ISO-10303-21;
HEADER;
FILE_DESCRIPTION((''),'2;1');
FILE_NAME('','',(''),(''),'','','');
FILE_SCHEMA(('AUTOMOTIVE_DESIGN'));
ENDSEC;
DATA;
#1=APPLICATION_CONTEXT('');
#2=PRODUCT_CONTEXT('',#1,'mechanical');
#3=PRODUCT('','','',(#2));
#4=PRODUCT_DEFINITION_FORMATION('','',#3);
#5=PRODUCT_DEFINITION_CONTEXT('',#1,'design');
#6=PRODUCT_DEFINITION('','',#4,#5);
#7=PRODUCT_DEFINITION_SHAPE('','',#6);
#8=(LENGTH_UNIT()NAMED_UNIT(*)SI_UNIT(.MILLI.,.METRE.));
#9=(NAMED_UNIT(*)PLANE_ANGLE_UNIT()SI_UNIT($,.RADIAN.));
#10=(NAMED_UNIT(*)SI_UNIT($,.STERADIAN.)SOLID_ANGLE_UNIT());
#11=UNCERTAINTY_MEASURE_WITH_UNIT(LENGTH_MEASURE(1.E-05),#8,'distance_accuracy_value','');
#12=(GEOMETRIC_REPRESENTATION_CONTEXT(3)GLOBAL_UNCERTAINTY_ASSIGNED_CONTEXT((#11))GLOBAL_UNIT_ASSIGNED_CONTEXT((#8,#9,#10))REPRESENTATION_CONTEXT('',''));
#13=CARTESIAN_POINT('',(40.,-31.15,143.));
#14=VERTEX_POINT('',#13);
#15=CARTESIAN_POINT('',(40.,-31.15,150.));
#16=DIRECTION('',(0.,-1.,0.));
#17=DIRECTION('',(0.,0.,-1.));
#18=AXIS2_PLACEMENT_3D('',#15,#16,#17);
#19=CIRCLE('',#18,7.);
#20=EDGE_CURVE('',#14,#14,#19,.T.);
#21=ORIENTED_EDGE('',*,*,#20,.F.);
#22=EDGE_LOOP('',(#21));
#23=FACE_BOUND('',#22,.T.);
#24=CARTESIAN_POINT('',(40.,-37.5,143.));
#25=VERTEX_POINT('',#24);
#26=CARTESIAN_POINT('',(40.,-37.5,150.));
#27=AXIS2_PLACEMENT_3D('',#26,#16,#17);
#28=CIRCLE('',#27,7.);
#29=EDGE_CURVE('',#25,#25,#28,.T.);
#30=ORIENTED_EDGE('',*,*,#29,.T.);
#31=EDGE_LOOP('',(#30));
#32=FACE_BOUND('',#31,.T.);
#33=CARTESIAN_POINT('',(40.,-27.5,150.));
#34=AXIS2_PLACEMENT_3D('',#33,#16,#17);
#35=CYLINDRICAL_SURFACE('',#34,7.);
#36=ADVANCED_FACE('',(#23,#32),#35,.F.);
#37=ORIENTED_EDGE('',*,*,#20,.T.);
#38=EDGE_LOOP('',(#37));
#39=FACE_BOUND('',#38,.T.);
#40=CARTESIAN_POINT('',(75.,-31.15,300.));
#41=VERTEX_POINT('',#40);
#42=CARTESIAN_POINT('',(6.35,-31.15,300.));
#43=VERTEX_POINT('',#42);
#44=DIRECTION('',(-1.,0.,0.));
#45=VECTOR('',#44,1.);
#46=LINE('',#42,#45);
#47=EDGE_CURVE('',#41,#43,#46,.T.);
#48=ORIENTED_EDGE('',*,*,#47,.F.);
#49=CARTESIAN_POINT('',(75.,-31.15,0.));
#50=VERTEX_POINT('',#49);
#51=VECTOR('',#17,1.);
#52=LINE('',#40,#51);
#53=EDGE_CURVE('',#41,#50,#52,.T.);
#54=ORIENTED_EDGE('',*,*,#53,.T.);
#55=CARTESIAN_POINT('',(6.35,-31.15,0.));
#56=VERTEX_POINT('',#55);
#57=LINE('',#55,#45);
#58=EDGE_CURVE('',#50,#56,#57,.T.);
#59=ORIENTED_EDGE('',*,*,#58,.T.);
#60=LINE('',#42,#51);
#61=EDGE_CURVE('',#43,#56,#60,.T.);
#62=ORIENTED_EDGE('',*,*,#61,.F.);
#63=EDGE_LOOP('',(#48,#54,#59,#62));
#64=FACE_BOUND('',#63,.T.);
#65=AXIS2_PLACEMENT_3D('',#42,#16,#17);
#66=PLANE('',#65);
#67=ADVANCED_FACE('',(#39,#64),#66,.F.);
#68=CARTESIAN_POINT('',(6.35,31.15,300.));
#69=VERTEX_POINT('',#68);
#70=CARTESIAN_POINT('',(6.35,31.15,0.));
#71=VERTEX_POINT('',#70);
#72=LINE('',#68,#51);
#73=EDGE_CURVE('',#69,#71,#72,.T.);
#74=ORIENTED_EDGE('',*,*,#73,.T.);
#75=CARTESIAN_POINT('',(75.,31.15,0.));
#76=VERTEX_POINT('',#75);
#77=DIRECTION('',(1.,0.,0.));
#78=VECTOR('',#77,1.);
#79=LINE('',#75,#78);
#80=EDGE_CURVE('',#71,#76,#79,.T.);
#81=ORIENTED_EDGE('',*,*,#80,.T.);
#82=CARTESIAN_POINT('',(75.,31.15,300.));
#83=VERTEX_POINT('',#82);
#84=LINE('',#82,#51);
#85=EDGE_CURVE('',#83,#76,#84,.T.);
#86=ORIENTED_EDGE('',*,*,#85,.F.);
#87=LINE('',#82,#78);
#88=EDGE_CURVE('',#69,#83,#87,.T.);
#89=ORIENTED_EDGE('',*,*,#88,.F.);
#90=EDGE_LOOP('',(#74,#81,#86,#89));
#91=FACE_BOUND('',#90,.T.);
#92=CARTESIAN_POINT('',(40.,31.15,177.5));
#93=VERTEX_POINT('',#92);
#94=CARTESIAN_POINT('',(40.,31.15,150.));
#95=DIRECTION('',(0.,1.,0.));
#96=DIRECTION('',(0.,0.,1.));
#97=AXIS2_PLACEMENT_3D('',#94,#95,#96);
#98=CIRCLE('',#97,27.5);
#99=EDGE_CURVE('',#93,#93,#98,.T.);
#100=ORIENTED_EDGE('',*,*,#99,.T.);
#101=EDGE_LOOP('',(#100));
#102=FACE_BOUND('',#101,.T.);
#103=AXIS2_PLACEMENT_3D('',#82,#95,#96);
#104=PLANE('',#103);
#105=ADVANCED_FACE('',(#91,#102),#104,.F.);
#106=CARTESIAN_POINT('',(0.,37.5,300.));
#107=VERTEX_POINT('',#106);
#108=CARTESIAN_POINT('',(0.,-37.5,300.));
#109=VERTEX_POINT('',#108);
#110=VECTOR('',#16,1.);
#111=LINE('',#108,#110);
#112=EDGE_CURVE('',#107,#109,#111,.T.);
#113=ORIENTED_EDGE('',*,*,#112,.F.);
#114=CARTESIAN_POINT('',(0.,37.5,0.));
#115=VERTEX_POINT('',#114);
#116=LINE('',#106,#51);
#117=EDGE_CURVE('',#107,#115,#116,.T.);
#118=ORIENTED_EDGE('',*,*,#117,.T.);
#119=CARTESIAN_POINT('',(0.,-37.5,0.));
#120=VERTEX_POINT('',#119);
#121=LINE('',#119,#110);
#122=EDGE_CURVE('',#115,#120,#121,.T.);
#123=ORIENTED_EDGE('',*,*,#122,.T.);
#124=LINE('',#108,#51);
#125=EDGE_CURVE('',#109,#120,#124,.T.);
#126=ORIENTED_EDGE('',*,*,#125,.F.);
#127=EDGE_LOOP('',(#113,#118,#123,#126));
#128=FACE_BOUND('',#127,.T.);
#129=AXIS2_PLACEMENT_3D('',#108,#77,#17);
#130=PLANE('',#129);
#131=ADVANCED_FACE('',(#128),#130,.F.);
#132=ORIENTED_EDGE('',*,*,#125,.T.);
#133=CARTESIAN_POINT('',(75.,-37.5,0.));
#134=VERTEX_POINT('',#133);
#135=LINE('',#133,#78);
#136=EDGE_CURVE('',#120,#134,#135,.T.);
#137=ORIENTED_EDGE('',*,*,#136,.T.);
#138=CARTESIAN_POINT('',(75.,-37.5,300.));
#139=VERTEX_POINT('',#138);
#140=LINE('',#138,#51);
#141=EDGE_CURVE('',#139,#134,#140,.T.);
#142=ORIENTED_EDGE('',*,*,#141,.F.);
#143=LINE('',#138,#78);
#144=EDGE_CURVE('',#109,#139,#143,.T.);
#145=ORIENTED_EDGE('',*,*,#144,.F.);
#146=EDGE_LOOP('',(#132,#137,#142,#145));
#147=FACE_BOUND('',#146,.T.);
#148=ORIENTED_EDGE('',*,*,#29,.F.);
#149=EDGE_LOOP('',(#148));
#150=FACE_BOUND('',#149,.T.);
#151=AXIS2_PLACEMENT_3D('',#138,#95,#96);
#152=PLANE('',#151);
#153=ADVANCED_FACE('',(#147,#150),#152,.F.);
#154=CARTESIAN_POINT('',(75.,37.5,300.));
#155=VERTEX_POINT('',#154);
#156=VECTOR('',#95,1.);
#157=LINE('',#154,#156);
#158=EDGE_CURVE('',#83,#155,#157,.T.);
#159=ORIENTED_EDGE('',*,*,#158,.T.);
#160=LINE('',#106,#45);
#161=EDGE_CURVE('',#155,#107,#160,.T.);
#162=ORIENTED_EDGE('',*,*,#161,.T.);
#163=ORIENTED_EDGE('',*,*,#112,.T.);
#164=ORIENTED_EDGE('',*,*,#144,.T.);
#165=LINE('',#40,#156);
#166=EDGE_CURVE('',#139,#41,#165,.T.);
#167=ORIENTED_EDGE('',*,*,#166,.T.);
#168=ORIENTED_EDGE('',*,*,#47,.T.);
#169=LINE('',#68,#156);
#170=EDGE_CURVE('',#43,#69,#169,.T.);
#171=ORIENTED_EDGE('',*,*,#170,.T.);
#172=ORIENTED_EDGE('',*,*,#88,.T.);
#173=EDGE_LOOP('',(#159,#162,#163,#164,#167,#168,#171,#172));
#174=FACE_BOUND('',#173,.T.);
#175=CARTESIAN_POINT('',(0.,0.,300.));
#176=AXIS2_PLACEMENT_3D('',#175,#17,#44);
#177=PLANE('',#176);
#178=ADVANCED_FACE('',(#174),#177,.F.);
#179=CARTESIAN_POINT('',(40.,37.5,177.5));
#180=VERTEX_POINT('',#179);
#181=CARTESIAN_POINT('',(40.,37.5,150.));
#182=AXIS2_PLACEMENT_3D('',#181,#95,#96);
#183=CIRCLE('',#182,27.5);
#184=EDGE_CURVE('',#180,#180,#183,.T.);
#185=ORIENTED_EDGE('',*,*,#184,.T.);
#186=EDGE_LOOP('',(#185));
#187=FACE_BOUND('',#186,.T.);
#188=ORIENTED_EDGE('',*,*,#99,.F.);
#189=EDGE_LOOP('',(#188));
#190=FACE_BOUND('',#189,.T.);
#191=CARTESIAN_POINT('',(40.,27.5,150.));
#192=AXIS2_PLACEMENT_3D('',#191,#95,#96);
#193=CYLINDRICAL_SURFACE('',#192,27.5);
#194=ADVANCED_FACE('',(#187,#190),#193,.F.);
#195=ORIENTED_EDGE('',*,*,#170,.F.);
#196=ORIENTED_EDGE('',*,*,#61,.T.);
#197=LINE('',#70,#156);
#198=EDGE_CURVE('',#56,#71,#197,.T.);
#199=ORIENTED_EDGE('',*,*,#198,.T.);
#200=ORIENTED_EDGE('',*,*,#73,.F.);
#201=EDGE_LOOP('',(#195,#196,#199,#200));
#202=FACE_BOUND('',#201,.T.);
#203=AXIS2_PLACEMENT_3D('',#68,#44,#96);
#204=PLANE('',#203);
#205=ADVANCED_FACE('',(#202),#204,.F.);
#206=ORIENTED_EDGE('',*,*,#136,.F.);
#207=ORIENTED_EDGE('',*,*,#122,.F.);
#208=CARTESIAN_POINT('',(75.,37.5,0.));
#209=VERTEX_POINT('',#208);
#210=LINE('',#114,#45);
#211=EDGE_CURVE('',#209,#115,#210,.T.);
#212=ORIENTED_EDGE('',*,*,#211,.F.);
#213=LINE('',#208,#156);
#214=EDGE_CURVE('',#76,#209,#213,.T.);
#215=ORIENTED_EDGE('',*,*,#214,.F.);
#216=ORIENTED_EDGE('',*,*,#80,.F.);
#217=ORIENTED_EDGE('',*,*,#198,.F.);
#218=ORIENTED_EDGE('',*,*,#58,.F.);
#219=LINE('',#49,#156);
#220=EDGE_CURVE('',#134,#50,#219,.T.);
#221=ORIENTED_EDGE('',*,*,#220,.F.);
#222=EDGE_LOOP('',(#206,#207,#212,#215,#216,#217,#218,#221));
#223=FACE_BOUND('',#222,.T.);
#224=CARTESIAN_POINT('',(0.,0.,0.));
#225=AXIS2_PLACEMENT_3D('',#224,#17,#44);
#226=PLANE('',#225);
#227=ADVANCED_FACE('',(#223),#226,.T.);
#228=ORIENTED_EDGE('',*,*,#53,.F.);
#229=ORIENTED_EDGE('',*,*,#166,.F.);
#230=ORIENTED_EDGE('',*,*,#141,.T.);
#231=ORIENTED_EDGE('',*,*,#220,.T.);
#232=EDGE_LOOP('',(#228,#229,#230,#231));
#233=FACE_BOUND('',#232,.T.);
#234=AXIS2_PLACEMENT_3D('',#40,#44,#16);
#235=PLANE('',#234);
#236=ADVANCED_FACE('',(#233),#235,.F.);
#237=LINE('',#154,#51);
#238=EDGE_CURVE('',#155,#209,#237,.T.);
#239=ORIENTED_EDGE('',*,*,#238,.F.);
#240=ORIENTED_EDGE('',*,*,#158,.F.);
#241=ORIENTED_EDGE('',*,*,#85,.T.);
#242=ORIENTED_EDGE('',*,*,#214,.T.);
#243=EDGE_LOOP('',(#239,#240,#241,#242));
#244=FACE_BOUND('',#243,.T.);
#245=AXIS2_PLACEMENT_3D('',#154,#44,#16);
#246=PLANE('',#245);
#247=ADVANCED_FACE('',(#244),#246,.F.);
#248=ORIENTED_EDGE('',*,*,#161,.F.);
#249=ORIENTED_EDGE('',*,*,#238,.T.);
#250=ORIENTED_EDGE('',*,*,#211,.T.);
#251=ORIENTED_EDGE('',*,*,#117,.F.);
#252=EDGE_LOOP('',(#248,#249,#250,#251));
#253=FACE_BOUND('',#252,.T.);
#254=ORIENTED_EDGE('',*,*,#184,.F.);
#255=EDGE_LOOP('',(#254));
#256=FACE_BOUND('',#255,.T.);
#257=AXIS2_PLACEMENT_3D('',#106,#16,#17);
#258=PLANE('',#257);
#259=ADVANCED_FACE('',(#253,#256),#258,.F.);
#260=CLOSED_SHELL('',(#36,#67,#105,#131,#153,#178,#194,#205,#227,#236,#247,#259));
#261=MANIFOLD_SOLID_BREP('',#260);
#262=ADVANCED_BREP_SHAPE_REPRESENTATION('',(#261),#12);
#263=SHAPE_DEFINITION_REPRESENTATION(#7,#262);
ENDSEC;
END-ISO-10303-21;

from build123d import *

# Parameters (mm, degrees)
BOSS_EXTRUDE1_DEPTH = 300
SKETCH2_R           = 27.5
CUT_EXTRUDE1_DEPTH  = 10
SKETCH3_R           = 7
CUT_EXTRUDE2_DEPTH  = 10


with BuildPart() as part:
    # Sketch1 → Boss-Extrude1 (new body)
    with BuildSketch(Plane.XY):
        Polygon((0, -37.5), (0, 37.5), (75, 37.5), (75, 31.15), (6.35, 31.15), (6.35, -31.15), (75, -31.15), (75, -37.5), align=None)
    extrude(amount=BOSS_EXTRUDE1_DEPTH)

    # Sketch2 → Cut-Extrude1 (cut)
    with BuildSketch(Plane(origin=(0, 37.5, 0), x_dir=(1, 0, 0), z_dir=(0, 1, 0))):
        with Locations(Location((40, -150, 0), (0, 0, 270))):
            Circle(SKETCH2_R)
    extrude(amount=-CUT_EXTRUDE1_DEPTH, mode=Mode.SUBTRACT)

    # Sketch3 → Cut-Extrude2 (cut)
    with BuildSketch(Plane.XZ.offset(37.5)):
        with Locations(Location((40, 150, 0), (0, 0, 270))):
            Circle(SKETCH3_R)
    extrude(amount=-CUT_EXTRUDE2_DEPTH, mode=Mode.SUBTRACT)


solid = part.part
